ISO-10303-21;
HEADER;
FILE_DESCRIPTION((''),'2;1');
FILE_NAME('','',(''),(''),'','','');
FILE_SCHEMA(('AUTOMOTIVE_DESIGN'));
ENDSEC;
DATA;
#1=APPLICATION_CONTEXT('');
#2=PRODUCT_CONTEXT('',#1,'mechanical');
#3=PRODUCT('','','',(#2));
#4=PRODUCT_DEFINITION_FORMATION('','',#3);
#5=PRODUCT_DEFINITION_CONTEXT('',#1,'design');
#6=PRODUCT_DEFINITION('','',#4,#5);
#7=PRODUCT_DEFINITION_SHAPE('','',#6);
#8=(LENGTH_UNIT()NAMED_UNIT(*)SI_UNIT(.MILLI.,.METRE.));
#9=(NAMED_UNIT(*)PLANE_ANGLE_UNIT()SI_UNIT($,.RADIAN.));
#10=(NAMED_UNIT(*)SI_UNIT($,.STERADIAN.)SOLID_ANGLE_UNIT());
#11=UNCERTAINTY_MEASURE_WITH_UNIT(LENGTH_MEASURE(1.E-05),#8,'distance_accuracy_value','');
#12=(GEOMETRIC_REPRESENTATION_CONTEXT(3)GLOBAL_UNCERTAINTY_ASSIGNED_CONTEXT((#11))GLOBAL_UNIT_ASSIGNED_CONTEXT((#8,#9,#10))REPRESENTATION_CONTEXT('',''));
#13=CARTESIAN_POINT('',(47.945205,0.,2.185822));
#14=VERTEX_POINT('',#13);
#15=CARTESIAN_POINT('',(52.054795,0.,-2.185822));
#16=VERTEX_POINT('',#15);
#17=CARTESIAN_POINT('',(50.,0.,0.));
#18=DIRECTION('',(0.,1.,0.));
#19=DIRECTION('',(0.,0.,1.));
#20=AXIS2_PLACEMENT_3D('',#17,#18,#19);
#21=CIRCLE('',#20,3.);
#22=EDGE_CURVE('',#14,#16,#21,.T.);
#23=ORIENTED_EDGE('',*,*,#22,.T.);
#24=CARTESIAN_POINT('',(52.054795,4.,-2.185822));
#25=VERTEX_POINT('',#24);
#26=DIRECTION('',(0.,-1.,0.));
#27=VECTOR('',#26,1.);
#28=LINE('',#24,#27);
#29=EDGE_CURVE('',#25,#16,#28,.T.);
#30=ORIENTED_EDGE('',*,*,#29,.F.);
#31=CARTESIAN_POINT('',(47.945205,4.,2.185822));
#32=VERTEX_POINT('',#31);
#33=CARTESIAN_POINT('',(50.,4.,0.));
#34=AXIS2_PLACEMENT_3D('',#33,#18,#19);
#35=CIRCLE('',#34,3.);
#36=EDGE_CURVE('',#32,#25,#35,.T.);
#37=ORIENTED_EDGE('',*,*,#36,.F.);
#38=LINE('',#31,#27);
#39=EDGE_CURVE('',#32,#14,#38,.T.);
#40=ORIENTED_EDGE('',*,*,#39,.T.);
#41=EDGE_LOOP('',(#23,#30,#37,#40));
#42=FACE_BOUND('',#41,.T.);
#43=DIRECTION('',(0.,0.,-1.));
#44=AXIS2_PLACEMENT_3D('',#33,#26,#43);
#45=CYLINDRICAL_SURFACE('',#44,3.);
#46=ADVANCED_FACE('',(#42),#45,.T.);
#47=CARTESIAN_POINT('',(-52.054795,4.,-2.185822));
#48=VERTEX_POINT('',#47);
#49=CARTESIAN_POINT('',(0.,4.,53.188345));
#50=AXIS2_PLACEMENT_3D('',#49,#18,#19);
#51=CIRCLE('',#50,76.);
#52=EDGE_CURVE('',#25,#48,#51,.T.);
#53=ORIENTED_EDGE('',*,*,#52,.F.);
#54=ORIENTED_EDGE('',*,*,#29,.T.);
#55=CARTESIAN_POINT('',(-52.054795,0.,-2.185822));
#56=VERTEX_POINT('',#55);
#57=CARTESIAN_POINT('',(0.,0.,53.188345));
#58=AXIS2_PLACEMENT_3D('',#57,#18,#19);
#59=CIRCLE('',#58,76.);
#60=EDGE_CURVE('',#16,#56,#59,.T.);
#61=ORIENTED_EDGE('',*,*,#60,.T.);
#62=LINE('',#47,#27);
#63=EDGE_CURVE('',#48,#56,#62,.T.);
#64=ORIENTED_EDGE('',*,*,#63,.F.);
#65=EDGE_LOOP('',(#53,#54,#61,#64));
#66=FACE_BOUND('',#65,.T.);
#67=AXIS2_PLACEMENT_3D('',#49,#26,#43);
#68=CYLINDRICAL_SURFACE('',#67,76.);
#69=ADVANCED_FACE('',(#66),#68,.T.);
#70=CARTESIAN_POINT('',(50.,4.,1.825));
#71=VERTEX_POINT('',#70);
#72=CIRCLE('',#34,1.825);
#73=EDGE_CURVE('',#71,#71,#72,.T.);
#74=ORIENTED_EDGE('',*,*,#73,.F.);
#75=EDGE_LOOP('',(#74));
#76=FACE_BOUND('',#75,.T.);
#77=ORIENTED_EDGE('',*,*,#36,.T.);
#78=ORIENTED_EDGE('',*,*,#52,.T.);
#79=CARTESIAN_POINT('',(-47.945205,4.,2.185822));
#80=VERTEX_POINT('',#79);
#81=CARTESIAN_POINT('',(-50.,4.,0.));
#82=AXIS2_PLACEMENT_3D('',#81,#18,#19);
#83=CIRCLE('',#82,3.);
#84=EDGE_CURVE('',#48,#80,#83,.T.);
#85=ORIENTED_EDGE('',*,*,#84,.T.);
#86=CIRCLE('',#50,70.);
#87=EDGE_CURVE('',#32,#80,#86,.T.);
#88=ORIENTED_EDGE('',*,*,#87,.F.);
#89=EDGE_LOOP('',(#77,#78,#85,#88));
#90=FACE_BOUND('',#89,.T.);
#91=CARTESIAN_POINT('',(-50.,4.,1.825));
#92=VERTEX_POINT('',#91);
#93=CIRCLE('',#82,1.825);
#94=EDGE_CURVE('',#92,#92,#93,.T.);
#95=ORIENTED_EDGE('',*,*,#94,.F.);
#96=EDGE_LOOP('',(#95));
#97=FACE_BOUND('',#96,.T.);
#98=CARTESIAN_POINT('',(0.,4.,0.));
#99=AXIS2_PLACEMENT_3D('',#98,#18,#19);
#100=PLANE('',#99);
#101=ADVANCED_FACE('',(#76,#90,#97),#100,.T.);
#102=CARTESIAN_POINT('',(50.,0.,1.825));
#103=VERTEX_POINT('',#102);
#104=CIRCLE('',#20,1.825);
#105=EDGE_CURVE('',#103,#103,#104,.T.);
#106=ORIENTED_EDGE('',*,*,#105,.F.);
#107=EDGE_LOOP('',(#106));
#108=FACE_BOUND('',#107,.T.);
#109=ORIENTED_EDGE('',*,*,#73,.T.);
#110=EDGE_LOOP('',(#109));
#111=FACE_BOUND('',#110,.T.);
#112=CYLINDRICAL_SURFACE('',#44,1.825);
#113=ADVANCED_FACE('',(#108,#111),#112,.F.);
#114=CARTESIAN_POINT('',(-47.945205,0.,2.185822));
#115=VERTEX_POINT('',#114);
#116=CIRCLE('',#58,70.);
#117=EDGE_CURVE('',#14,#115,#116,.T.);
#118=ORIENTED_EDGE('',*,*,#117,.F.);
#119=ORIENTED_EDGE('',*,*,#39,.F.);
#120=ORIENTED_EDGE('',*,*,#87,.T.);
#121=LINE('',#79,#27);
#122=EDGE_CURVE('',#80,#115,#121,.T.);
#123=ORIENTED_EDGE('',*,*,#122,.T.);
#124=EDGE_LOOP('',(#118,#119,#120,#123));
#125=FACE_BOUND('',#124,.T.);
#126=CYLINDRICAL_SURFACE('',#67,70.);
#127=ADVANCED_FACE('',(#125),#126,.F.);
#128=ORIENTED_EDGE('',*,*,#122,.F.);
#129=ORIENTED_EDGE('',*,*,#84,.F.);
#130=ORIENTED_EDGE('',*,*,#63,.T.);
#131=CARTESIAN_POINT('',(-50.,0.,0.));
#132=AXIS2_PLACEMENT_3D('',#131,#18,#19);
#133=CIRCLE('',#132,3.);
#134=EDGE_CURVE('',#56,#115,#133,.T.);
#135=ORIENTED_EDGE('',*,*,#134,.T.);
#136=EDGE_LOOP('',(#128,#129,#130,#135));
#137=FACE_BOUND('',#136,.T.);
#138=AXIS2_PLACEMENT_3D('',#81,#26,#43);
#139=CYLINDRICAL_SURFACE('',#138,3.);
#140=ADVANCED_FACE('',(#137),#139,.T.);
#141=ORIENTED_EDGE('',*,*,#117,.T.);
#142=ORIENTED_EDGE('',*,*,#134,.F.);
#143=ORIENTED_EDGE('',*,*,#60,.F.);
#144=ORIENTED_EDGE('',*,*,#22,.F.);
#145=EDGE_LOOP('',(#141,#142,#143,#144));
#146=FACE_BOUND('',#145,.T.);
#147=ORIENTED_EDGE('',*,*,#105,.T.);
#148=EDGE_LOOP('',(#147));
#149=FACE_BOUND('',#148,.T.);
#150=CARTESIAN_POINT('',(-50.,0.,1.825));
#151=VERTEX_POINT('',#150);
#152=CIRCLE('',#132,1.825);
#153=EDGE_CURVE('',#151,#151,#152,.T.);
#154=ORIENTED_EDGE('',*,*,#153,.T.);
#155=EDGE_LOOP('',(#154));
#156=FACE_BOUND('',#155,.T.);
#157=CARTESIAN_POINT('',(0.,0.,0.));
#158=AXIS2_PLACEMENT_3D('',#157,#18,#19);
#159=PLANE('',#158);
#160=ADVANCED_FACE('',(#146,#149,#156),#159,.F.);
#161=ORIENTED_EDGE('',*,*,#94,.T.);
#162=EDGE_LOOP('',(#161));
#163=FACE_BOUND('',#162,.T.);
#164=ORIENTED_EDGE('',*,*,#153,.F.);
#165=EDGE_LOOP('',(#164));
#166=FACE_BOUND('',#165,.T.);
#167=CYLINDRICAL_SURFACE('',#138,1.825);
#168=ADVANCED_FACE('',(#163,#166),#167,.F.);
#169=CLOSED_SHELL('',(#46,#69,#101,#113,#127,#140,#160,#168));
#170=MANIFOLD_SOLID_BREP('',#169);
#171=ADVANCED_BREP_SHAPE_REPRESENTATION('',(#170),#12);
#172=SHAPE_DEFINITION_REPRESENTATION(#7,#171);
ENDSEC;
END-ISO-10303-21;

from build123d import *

# Parameters (mm, degrees)
ESQUISSE1_R        = 1.825
BOSS_EXTRU_1_DEPTH = 4


with BuildPart() as part:
    # Esquisse1 → Boss.-Extru.1 (new body)
    with BuildSketch(Plane(origin=(0, 0, 0), x_dir=(1, 0, 0), z_dir=(0, 1, 0))):
        with BuildLine():
            ThreePointArc((-52.054794536, 2.185822365), (-52.185822369, -2.054794533), (-47.945205471, -2.185822372))
            ThreePointArc((-47.945205471, -2.185822372), (-1.4e-08, 16.811655412), (47.94520545, -2.185822352))
            ThreePointArc((47.94520545, -2.185822352), (52.185822338, -2.054794566), (52.054794582, 2.185822323))
            ThreePointArc((52.054794582, 2.185822323), (3.1e-08, 22.811655412), (-52.054794536, 2.185822365))
        make_face()
        with Locations(Location((-50, 0, 0), (0, 0, 270))):
            Circle(ESQUISSE1_R, mode=Mode.SUBTRACT)
        with Locations(Location((50, 0, 0), (0, 0, 270))):
            Circle(ESQUISSE1_R, mode=Mode.SUBTRACT)
    extrude(amount=BOSS_EXTRU_1_DEPTH)


solid = part.part
